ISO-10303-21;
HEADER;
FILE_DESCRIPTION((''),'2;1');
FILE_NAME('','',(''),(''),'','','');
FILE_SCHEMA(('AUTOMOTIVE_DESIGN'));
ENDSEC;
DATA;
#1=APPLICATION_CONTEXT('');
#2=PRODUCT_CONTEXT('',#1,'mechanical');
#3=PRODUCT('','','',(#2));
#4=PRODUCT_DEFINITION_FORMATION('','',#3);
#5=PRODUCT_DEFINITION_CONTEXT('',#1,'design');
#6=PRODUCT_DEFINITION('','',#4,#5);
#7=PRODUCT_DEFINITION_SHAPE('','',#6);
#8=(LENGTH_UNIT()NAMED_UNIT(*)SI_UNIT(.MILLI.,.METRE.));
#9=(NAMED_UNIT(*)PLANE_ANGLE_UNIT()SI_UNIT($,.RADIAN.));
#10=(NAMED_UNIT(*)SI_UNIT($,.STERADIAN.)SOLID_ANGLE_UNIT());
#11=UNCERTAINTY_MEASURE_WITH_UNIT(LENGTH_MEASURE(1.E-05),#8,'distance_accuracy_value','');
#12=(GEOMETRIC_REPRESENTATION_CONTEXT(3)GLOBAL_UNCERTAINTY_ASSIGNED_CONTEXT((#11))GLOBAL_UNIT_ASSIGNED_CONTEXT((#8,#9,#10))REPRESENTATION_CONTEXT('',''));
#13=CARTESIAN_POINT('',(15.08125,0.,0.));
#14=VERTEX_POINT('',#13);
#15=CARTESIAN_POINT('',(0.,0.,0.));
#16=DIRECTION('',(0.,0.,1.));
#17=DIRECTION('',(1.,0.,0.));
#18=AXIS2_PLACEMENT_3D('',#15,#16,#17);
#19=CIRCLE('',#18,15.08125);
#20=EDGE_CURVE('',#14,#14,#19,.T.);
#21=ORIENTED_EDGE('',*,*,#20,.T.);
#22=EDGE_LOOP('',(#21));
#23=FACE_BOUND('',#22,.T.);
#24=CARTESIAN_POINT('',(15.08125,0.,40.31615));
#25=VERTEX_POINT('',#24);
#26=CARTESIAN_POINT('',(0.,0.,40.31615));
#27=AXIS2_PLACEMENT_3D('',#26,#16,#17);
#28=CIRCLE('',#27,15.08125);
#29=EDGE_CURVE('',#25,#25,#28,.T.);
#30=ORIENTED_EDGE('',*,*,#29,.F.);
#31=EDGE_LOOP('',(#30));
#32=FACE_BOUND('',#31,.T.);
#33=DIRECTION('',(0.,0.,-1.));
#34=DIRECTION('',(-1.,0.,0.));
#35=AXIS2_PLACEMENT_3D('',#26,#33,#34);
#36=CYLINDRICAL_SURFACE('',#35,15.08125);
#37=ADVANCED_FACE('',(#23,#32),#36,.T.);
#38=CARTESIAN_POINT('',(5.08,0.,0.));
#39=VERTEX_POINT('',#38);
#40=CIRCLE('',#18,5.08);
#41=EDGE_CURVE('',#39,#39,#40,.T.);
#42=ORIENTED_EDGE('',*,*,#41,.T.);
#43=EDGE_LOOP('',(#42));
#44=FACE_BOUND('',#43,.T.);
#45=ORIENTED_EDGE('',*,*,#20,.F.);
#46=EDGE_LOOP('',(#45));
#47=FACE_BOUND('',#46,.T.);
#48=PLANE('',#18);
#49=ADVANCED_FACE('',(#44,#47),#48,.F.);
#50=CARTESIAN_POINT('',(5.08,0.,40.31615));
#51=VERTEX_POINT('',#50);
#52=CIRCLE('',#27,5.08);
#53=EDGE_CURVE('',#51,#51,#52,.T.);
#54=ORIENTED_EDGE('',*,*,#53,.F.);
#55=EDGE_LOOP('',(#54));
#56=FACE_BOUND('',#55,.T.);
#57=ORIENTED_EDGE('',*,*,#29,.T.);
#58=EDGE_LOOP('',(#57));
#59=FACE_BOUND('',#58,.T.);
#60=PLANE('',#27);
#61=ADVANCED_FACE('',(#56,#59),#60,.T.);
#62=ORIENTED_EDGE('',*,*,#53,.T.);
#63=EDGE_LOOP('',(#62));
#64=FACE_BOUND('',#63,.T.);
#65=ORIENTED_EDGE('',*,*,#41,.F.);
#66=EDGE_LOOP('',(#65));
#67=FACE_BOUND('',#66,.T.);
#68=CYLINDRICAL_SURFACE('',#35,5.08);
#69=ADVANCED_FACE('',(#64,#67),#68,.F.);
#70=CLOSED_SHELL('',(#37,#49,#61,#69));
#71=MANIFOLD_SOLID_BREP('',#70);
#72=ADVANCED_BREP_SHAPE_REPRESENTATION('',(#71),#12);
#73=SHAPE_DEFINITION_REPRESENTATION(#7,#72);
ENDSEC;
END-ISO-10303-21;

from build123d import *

# Parameters (mm, degrees)
SKETCH1_R           = 15.08125
SKETCH1_R_2         = 5.08
BOSS_EXTRUDE1_DEPTH = 40.31615


with BuildPart() as part:
    # Sketch1 → Boss-Extrude1 (new body)
    with BuildSketch(Plane.XY):
        Circle(SKETCH1_R)
        Circle(SKETCH1_R_2, mode=Mode.SUBTRACT)
    extrude(amount=BOSS_EXTRUDE1_DEPTH)


solid = part.part
